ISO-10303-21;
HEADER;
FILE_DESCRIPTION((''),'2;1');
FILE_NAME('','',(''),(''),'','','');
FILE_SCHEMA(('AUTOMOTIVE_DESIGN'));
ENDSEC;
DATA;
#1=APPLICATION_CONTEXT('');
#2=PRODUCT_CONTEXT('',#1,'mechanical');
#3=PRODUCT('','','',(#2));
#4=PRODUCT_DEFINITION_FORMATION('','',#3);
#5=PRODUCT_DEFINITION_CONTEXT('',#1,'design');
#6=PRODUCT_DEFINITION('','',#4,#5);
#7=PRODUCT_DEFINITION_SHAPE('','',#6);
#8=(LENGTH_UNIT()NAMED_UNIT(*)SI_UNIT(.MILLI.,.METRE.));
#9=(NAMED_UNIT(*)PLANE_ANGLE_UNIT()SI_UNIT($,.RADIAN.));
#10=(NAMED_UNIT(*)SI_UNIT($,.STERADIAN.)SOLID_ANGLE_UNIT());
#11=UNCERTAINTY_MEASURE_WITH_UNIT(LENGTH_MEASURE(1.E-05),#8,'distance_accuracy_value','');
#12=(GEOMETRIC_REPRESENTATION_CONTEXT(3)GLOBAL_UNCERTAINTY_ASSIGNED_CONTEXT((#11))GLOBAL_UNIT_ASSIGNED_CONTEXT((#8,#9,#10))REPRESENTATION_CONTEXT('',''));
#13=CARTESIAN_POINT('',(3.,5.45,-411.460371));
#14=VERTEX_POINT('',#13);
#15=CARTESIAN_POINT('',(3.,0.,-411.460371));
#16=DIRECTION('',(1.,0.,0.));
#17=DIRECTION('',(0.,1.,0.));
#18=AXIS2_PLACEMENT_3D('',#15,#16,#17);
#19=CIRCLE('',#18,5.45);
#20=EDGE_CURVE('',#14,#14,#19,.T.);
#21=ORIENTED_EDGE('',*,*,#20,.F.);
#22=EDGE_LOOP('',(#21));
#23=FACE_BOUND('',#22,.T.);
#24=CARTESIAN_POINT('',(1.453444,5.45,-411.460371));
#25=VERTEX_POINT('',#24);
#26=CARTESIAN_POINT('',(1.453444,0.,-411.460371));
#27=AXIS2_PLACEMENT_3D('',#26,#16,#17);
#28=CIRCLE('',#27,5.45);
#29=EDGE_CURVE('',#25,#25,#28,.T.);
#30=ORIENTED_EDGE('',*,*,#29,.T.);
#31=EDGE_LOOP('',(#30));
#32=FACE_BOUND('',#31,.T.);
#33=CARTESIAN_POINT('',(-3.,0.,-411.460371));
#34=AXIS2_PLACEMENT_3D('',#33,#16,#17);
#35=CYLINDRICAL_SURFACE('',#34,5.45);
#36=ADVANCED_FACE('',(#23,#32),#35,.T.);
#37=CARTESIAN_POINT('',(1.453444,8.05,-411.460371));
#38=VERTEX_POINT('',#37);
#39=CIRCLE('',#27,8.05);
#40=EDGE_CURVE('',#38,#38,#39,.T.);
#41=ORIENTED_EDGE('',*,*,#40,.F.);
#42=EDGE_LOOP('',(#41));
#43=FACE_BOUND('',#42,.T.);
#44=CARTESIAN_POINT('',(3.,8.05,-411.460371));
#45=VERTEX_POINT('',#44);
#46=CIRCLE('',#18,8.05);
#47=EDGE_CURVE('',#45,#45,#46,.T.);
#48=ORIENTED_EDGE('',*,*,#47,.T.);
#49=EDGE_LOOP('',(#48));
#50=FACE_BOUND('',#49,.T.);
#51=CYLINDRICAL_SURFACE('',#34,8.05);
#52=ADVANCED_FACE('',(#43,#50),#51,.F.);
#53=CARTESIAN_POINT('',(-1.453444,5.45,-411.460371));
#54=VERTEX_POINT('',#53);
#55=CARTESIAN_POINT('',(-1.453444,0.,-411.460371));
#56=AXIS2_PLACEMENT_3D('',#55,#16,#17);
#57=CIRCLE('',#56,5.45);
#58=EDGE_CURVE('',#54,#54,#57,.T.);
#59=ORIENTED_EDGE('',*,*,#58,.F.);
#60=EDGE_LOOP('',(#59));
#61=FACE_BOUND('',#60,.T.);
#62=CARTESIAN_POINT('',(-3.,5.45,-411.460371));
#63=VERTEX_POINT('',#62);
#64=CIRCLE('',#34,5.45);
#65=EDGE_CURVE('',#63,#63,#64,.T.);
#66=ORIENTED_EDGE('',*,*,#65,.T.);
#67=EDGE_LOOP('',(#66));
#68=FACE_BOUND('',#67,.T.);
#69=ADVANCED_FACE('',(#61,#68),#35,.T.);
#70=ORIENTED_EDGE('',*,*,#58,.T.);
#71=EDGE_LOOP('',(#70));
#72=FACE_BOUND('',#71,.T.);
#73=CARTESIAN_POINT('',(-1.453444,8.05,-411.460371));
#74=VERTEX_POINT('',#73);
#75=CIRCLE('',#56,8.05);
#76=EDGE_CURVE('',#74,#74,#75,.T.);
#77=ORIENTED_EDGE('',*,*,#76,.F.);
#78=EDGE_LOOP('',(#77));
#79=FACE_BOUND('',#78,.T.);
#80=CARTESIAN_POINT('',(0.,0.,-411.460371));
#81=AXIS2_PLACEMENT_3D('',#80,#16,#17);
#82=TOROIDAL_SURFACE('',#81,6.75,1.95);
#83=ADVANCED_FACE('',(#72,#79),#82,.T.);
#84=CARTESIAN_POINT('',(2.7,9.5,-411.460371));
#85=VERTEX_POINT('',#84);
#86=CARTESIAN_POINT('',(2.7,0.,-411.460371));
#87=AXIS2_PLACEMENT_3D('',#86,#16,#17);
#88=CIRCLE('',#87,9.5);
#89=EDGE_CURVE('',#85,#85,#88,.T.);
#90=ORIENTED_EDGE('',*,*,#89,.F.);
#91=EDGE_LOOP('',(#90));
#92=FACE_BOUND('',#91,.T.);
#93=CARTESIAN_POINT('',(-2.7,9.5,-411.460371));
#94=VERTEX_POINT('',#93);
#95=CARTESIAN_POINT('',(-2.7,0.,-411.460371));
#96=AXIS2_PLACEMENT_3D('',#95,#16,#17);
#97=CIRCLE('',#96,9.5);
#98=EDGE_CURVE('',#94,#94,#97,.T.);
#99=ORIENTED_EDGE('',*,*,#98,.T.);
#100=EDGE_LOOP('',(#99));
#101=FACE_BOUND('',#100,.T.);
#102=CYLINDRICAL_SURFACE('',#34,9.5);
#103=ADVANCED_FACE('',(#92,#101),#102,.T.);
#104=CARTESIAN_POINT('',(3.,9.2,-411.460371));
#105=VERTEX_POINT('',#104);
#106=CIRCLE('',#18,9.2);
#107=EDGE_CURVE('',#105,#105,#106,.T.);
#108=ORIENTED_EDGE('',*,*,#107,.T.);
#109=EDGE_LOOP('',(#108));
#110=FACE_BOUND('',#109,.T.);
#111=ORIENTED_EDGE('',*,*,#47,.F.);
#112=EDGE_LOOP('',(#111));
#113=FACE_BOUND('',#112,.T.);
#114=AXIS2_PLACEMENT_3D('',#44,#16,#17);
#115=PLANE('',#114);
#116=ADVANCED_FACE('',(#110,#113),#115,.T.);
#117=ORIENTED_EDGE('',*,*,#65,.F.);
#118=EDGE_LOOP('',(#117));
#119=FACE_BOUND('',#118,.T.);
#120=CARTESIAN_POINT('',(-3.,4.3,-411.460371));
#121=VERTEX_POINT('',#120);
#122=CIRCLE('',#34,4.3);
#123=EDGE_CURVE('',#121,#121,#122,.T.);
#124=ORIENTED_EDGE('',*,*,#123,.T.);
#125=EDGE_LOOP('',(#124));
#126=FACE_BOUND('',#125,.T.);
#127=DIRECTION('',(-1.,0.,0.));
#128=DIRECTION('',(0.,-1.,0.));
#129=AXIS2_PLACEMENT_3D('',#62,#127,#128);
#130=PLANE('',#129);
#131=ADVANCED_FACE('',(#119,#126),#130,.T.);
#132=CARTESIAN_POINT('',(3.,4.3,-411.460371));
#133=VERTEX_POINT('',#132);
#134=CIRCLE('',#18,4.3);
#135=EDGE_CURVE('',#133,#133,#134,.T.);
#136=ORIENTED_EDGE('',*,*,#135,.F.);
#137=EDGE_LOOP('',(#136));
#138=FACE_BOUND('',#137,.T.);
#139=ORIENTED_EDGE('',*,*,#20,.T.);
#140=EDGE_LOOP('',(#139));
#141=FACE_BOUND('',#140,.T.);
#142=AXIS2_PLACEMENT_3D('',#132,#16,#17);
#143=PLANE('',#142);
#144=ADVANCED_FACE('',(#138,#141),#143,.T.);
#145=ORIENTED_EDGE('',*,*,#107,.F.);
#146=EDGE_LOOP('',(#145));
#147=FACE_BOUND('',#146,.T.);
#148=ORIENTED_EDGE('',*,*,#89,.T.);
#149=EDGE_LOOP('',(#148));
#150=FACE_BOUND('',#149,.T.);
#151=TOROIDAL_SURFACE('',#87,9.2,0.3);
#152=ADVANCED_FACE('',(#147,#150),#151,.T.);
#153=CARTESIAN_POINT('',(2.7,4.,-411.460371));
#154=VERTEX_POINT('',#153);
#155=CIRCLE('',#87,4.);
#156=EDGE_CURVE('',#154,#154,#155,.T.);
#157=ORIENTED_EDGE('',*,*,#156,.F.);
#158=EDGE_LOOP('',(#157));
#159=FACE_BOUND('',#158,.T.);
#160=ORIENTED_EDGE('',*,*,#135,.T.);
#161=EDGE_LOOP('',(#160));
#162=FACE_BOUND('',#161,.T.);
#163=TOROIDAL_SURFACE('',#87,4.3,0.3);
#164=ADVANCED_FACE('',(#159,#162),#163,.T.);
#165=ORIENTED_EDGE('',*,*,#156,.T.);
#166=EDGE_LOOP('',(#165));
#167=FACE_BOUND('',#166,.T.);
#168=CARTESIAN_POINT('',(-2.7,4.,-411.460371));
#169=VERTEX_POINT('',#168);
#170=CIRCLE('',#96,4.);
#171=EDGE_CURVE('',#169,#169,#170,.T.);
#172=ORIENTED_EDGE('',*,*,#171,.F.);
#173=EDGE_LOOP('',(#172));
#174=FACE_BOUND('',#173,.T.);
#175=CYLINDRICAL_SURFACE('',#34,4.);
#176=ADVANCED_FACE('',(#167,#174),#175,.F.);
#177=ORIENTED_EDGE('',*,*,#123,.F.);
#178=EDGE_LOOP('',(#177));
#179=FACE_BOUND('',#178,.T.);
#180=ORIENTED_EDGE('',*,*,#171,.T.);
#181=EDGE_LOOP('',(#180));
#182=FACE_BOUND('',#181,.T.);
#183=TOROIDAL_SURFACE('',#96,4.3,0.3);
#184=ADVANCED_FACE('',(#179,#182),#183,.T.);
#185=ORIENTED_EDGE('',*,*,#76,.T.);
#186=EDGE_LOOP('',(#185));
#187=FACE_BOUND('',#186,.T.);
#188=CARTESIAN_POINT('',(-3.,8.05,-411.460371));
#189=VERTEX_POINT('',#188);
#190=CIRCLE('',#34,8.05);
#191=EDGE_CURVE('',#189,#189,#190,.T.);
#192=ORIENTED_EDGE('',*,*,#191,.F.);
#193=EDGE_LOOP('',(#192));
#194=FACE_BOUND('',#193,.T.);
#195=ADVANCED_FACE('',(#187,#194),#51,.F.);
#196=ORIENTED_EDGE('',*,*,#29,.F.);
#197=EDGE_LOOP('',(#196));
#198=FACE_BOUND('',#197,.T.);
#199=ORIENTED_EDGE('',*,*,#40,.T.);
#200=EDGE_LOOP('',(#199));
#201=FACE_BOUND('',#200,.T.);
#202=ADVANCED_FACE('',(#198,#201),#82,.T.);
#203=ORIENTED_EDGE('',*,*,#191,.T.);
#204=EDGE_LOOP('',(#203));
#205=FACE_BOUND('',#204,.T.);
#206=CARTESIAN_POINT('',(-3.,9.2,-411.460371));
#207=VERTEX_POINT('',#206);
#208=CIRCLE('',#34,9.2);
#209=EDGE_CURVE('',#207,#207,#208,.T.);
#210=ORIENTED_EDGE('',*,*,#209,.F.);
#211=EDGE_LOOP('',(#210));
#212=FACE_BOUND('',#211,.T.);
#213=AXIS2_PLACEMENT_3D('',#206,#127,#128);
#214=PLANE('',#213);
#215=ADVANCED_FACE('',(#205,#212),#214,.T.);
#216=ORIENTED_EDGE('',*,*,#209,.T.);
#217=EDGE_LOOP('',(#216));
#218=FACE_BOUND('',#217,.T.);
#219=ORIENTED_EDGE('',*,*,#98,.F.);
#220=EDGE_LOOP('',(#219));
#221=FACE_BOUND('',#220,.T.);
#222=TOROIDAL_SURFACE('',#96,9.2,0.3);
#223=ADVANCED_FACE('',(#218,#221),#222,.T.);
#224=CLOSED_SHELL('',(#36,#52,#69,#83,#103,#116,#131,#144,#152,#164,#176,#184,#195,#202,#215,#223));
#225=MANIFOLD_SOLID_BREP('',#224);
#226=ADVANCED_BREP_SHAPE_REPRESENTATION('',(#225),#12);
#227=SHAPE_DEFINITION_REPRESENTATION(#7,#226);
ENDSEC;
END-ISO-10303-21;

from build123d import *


with BuildPart() as part:
    # Esquisse1 → Révolution1 (revolve)
    with BuildSketch(Plane.XY.offset(-411.460370859)):
        with BuildLine():
            Line((-2.7, 4), (2.7, 4))
            ThreePointArc((2.7, 4), (2.912132034, 4.087867966), (3, 4.3))
            Line((3, 4.3), (3, 5.45))
            Line((3, 5.45), (1.453444185, 5.45))
            ThreePointArc((1.453444185, 5.45), (1.95, 6.75), (1.453444185, 8.05))
            Line((1.453444185, 8.05), (3, 8.05))
            Line((3, 8.05), (3, 9.2))
            ThreePointArc((3, 9.2), (2.912132034, 9.412132034), (2.7, 9.5))
            Line((2.7, 9.5), (-2.7, 9.5))
            ThreePointArc((-2.7, 9.5), (-2.912132034, 9.412132034), (-3, 9.2))
            Line((-3, 9.2), (-3, 8.05))
            Line((-3, 8.05), (-1.453444185, 8.05))
            ThreePointArc((-1.453444185, 8.05), (-1.95, 6.75), (-1.453444185, 5.45))
            Line((-1.453444185, 5.45), (-3, 5.45))
            Line((-3, 5.45), (-3, 4.3))
            ThreePointArc((-3, 4.3), (-2.912132034, 4.087867966), (-2.7, 4))
        make_face()
    revolve(axis=Axis((-3, 0, -411.460370859), (1, 0, 0)))


solid = part.part
